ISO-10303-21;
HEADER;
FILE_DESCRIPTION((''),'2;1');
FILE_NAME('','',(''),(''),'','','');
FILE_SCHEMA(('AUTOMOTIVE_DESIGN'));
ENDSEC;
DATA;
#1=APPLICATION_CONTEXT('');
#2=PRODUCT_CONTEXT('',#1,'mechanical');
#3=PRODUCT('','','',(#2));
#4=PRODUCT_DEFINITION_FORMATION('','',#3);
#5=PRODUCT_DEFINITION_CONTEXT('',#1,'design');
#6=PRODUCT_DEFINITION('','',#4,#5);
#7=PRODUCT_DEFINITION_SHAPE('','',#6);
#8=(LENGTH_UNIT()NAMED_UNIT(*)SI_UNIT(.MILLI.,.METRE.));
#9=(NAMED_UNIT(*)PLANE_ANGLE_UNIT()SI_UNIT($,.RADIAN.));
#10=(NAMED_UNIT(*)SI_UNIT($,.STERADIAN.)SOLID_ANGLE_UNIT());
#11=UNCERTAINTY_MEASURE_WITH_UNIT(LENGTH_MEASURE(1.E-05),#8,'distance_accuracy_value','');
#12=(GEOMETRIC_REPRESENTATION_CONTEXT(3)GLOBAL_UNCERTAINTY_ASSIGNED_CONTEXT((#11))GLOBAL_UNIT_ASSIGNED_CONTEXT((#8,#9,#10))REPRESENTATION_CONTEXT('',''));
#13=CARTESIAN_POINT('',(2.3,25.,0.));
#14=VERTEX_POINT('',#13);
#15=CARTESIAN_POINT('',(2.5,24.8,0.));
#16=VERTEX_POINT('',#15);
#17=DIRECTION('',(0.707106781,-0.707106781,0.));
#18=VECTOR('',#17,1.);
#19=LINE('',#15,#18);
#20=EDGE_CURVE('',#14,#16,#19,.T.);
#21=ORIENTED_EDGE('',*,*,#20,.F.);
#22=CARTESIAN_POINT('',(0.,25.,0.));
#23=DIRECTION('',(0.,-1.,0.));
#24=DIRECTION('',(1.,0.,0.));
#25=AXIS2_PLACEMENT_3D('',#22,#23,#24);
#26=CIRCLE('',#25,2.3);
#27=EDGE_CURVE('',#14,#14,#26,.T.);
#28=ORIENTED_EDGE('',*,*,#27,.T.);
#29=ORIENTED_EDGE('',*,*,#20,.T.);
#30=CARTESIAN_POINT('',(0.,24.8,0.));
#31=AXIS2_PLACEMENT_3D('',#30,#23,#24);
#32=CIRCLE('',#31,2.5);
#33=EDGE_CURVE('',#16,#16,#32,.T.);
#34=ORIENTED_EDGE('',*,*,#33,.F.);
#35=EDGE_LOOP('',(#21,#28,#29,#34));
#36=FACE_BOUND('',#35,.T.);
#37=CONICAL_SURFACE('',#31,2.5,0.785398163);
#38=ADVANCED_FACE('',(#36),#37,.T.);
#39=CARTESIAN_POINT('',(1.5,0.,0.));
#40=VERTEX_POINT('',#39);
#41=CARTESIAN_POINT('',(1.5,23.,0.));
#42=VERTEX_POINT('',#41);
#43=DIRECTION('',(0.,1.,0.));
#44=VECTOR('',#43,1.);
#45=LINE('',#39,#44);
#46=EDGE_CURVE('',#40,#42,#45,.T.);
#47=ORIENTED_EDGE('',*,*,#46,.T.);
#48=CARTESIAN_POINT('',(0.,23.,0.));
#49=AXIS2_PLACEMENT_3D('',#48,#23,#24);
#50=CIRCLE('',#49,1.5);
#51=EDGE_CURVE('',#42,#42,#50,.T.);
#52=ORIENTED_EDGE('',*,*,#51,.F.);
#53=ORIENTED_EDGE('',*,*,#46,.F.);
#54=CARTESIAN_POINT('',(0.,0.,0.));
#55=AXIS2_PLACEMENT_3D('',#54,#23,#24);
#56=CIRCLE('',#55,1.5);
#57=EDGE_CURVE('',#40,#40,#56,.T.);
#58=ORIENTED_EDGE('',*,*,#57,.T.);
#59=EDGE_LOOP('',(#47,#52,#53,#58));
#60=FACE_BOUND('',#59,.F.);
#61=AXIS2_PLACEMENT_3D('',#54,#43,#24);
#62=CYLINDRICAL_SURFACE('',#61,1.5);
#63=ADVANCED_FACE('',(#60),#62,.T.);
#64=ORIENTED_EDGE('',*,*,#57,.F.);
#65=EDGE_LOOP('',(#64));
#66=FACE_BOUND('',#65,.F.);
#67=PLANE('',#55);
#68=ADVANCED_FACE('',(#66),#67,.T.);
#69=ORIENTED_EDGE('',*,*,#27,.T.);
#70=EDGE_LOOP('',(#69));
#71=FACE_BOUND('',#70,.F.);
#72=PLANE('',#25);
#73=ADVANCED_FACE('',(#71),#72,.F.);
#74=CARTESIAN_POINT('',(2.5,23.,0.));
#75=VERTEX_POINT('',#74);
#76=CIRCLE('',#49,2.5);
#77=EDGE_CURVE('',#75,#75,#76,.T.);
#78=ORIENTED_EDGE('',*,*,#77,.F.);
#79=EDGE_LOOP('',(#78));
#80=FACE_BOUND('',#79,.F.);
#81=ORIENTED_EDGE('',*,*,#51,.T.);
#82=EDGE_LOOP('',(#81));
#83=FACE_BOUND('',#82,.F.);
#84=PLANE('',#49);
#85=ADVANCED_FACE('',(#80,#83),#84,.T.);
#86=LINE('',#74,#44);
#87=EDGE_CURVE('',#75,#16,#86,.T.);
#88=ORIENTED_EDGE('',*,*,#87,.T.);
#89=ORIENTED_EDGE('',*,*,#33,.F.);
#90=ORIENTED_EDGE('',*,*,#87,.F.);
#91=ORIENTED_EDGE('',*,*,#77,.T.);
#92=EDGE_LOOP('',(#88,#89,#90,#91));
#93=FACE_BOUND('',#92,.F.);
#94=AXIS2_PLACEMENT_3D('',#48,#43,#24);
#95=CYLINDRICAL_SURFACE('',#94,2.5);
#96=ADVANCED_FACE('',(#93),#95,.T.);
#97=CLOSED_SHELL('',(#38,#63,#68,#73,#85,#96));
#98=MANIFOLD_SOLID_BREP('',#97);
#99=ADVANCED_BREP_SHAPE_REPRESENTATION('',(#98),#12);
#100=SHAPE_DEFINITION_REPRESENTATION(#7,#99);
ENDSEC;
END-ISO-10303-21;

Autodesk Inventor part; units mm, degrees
ref_plane "YZ Plane" through (0, 0, 0) normal (1, 0, 0) x (0, 1, 0)
ref_plane "XZ Plane" through (0, 0, 0) normal (0, 1, 0) x (-1, 0, 0)
ref_plane "XY Plane" through (0, 0, 0) normal (0, 0, 1) x (1, 0, 0)
sketch "Skizze1" plane through (0, 0, 0) normal (0, 0, 1) x (1, 0, 0)
  line L0 (0, 0) -> (1.5, 0)
  line L1 (1.5, 0) -> (1.5, 23)
  line L2 (1.5, 23) -> (2.5, 23)
  line L3 (2.5, 23) -> (2.5, 25)
  line L4 (2.5, 25) -> (0, 25)
  line L5 (0, 25) -> (0, 0)
  dimension "d0" = 3
  dimension "d1" = 2
  dimension "d2" = 5
  dimension "d3" = 23
revolve "Umdrehung1" add sketch "Skizze1" angle 360 about axis through (0, 25, 0) along (0, -1, 0)
chamfer "Fasen1" distance 0.2 angle 45 1 edges at (-2.5, 25, 0)
properties part number "1 part 10"
